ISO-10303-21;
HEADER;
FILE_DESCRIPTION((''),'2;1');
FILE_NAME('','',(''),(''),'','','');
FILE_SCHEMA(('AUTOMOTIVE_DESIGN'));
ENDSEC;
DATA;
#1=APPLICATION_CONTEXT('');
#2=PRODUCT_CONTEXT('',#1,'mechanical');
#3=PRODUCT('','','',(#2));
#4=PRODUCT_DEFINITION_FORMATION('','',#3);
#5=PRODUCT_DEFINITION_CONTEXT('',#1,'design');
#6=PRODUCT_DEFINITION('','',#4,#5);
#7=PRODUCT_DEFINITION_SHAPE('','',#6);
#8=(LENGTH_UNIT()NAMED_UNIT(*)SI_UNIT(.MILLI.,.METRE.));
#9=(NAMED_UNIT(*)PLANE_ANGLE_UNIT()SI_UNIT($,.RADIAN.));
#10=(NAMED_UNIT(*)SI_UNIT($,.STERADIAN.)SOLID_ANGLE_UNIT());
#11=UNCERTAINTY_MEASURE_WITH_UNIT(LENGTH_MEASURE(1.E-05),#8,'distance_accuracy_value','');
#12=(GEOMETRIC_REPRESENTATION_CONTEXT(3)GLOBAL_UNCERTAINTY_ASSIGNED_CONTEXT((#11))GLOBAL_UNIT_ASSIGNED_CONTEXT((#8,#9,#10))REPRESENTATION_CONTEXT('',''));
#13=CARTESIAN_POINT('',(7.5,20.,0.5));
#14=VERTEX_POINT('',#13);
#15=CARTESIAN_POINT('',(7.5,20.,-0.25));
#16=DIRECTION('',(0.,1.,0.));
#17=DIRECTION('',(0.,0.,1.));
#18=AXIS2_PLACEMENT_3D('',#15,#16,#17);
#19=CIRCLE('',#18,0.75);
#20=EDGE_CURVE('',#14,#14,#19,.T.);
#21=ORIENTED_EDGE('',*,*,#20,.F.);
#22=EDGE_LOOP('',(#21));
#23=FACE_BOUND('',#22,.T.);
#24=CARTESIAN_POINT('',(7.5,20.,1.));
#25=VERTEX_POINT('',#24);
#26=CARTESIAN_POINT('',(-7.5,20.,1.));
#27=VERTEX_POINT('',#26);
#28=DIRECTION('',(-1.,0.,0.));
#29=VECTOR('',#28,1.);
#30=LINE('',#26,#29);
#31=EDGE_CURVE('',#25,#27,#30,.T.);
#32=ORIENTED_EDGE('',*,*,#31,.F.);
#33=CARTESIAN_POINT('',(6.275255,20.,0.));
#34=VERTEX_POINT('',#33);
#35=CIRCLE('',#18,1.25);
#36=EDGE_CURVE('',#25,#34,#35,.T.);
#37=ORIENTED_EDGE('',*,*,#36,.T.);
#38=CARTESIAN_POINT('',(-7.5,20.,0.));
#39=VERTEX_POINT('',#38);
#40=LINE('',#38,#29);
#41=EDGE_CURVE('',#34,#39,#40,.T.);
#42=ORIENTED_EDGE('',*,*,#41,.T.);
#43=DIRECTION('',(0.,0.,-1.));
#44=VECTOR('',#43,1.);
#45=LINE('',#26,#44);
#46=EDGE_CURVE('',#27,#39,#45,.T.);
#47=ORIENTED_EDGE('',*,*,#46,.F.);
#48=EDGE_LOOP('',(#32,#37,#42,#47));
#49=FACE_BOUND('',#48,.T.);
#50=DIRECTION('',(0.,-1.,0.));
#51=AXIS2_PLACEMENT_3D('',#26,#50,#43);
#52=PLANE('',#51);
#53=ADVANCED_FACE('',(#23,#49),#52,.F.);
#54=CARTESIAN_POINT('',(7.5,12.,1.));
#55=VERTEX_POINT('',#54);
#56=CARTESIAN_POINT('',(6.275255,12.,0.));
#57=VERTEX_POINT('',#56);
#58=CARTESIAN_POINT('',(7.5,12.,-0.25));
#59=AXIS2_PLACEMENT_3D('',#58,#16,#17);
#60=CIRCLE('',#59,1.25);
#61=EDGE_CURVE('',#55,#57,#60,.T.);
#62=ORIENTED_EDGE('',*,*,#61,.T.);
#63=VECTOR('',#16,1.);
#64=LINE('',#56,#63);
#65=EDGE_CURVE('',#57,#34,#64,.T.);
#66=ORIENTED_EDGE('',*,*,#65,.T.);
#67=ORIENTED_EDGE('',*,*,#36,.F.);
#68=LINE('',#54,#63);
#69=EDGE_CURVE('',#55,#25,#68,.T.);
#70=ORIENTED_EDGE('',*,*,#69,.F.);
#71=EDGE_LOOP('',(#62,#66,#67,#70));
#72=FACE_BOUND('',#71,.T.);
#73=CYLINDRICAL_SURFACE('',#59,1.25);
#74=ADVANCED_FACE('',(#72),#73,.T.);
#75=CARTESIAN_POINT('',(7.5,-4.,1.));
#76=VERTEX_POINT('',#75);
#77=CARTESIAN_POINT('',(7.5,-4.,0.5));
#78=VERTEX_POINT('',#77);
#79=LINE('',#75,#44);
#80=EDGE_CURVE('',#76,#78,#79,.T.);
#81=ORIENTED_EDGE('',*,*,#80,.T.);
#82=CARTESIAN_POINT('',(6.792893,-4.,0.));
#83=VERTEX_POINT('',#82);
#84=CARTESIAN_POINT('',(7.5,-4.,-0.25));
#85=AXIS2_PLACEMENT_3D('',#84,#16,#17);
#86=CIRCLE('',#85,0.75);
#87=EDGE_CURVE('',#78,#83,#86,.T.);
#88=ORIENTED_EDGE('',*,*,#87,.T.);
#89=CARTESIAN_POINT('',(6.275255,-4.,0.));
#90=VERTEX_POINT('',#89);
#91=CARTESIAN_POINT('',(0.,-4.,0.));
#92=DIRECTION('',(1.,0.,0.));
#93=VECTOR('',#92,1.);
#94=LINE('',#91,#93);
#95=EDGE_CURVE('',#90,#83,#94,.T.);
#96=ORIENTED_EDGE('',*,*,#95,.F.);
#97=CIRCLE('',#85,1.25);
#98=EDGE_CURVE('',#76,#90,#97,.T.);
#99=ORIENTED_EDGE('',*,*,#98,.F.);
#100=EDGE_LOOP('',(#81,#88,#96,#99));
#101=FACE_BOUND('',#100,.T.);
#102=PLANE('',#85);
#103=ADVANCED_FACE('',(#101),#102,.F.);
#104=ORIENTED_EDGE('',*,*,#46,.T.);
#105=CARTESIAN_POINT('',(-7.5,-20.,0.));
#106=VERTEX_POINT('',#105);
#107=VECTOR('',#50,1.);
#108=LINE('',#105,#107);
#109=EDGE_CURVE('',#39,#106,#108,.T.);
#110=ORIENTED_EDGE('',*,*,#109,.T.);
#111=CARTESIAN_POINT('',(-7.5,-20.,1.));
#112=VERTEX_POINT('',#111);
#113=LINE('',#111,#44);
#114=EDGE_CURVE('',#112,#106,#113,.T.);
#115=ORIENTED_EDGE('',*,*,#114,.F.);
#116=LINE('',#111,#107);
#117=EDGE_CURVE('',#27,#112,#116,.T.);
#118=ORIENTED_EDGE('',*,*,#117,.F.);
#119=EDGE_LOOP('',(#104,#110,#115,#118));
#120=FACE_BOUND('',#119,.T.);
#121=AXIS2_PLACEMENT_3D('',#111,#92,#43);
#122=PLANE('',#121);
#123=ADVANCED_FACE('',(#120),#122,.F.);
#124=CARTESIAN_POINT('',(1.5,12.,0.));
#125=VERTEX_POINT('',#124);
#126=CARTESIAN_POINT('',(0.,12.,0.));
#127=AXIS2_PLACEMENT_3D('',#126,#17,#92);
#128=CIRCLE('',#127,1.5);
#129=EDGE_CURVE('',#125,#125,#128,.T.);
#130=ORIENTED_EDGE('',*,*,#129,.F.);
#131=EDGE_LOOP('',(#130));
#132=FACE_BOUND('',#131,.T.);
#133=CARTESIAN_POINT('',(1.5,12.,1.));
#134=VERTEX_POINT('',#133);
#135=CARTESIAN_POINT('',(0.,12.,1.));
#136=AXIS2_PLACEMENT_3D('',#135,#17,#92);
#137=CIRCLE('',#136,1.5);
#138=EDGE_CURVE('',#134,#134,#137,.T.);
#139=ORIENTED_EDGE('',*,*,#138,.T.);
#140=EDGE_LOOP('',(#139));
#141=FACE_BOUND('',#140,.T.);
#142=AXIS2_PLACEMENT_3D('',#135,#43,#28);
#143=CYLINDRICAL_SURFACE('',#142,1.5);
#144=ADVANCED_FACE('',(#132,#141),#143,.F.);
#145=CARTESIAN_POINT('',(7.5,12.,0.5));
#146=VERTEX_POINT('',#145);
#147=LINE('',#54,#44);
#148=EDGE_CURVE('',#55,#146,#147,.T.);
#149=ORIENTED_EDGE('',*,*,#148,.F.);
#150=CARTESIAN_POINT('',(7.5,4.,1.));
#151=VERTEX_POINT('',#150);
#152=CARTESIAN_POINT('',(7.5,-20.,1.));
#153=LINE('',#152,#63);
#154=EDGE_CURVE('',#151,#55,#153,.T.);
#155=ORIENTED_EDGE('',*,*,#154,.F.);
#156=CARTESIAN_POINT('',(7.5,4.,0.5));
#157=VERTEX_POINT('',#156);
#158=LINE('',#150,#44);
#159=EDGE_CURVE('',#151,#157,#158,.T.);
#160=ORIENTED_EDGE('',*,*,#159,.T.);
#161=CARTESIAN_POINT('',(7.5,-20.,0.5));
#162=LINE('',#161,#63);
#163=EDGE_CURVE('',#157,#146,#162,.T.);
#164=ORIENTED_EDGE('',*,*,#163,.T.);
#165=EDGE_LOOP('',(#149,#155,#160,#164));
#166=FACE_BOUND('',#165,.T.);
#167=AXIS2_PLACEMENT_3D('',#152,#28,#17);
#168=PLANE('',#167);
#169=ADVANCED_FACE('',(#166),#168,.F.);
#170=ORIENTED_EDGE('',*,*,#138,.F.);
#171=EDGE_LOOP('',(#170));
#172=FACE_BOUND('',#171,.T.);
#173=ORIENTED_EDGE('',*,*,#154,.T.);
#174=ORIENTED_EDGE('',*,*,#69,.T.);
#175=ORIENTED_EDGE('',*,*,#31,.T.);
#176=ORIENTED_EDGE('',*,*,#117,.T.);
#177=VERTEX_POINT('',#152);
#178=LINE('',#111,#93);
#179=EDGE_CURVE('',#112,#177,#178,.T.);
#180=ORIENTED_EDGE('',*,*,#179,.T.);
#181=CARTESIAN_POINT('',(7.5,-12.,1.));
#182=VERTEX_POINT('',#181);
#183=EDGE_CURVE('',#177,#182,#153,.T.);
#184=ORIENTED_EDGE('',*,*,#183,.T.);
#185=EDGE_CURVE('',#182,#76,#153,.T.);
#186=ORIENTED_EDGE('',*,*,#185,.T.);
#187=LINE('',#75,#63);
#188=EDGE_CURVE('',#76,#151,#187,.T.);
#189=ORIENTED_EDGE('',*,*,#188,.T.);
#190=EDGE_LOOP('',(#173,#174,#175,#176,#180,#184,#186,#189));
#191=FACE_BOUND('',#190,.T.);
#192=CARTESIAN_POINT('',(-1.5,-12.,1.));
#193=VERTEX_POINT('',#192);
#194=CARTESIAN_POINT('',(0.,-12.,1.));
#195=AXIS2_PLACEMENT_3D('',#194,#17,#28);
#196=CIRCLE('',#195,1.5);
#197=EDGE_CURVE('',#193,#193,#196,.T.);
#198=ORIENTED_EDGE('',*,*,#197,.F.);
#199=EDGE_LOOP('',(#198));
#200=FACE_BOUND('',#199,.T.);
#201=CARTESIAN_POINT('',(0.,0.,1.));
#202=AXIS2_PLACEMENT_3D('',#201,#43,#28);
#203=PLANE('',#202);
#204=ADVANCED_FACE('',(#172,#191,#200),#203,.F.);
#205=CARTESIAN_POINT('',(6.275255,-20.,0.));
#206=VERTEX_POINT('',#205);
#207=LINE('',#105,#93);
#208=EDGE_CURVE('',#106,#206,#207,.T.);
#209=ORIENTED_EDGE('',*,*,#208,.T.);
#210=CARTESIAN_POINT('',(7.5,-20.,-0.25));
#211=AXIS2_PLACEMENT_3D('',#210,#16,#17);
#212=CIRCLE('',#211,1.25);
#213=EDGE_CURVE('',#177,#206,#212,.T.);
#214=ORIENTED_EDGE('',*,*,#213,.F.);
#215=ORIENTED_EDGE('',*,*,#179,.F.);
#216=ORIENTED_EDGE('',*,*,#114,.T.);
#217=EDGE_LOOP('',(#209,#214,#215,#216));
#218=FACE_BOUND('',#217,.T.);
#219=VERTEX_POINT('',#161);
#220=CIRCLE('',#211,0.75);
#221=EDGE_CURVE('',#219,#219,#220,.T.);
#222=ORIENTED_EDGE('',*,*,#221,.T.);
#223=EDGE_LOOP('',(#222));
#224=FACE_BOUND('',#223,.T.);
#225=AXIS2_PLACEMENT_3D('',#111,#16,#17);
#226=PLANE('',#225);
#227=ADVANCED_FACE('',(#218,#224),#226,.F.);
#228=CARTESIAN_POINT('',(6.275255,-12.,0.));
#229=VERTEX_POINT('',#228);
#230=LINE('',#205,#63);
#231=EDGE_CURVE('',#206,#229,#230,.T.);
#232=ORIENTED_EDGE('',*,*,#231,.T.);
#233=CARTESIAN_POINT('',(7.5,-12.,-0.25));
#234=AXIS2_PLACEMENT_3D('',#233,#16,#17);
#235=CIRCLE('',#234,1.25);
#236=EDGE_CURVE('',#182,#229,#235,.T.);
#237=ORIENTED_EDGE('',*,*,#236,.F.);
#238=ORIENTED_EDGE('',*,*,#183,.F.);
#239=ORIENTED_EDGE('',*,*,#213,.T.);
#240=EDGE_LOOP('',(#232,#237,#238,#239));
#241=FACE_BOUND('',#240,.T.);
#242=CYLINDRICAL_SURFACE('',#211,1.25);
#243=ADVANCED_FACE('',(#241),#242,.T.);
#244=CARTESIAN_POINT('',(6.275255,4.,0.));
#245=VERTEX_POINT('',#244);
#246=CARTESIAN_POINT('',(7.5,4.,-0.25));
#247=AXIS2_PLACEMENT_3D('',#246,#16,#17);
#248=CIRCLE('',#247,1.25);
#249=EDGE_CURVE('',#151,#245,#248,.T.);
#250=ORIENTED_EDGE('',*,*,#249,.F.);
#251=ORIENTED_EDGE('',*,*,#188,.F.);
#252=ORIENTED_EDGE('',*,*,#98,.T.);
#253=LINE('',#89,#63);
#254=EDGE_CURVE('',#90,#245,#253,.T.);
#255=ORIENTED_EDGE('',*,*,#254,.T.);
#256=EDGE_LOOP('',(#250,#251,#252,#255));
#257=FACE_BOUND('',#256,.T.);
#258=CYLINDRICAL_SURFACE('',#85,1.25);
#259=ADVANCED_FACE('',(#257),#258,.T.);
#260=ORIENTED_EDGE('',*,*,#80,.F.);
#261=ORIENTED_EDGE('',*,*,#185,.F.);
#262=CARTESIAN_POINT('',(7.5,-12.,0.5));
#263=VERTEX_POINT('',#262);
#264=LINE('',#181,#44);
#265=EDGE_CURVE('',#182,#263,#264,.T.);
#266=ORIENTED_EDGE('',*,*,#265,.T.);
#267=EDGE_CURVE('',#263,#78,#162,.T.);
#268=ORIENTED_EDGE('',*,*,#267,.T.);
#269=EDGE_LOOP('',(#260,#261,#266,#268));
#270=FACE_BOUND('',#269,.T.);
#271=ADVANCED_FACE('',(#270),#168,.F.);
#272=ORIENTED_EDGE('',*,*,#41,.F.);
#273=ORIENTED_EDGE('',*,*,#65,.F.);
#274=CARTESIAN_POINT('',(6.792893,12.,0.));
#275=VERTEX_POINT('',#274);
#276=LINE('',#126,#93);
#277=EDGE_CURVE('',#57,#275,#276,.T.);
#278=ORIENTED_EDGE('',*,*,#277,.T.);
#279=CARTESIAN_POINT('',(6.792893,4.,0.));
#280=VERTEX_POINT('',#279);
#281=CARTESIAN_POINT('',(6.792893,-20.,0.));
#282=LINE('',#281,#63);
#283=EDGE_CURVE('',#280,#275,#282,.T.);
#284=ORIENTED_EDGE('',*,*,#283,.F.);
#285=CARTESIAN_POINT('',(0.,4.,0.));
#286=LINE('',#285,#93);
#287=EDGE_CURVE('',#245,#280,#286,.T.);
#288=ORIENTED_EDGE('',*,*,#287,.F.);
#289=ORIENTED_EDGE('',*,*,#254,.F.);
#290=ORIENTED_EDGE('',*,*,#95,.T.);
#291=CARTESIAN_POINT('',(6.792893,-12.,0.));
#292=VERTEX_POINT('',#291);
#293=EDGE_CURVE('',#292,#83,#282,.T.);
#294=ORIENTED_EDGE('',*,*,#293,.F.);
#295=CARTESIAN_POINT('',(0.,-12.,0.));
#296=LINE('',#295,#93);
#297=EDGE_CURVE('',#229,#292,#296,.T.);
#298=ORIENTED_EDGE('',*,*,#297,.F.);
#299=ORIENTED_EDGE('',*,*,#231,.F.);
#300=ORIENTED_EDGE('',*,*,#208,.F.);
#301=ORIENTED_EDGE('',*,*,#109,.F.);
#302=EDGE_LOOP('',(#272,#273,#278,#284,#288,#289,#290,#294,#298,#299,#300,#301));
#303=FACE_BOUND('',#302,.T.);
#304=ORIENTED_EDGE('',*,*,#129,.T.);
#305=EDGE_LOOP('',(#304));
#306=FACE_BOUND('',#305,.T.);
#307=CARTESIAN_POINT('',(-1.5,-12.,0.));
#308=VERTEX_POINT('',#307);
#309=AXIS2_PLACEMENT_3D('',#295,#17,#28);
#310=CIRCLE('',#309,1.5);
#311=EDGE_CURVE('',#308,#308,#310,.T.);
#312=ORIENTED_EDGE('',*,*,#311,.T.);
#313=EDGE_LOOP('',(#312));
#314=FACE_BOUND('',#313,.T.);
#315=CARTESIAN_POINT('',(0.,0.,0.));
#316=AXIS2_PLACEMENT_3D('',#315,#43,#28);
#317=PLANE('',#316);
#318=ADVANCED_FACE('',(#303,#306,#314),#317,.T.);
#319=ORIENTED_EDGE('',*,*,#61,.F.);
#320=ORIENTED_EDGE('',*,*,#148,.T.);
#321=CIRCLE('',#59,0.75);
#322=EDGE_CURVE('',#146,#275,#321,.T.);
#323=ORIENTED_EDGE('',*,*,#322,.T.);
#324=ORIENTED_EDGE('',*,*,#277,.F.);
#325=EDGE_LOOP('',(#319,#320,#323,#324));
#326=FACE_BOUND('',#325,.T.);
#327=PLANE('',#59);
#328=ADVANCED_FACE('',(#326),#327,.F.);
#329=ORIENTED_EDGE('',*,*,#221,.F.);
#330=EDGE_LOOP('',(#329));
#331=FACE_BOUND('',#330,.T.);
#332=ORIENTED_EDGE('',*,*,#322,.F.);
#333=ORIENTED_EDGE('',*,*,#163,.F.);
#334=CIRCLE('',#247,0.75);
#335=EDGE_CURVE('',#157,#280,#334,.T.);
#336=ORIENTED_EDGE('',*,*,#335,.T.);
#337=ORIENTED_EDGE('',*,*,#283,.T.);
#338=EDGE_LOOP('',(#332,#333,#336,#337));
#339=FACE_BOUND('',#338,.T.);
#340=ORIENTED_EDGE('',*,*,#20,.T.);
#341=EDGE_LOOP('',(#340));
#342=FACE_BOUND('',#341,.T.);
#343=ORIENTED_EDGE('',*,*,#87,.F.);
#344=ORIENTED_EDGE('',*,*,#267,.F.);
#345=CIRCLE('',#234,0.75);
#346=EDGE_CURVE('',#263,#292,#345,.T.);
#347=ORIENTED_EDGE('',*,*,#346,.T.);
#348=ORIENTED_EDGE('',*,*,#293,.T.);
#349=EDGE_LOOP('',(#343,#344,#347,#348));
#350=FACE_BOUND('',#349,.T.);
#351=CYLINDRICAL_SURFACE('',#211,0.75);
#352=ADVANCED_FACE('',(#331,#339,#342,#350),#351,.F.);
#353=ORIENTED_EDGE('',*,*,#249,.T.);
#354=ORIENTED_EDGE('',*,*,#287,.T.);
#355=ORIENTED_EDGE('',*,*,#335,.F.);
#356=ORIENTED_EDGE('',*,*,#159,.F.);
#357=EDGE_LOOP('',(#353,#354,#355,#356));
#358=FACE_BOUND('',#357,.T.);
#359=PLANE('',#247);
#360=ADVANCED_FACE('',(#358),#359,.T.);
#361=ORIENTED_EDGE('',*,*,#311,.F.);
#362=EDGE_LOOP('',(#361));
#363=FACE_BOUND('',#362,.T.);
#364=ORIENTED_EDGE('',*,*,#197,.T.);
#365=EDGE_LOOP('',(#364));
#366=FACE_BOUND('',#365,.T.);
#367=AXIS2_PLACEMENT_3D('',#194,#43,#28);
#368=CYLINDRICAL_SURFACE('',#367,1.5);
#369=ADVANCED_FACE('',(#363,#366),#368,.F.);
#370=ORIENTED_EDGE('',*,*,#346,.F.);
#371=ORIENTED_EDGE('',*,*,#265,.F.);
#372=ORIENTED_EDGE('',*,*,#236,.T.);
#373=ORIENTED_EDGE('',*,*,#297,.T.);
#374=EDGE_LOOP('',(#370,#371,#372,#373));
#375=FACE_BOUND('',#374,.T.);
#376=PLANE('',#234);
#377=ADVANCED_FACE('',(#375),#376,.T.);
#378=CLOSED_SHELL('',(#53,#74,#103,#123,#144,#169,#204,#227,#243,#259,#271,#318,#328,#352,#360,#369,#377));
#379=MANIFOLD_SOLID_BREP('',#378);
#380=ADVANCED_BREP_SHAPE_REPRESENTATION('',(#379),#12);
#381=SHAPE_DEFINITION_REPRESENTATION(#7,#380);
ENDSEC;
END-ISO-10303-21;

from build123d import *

# Parameters (mm, degrees)
SKETCH1_W           = 15
SKETCH1_H           = 40
SKETCH1_R           = 1.5
BOSS_EXTRUDE2_DEPTH = 1
SKETCH2_R           = 1.25
BOSS_EXTRUDE3_DEPTH = 8
SKETCH3_R           = 0.75
CUT_EXTRUDE1_DEPTH  = 40
LPATTERN1_COUNT     = 3
LPATTERN1_PITCH     = 16
SKETCH4_R           = 0.75
CUT_EXTRUDE2_DEPTH  = 40


with BuildPart() as part:
    # Sketch1 → Boss-Extrude2 (new body)
    with BuildSketch(Plane.XY):
        Rectangle(SKETCH1_W, SKETCH1_H)
        with Locations((0, 12)):
            Circle(SKETCH1_R, mode=Mode.SUBTRACT)
        with Locations((0, -12)):
            Circle(SKETCH1_R, mode=Mode.SUBTRACT)
    extrude(amount=BOSS_EXTRUDE2_DEPTH)

    # Sketch2 → Boss-Extrude3 (add)
    with BuildSketch(Plane(origin=(0, 20, 0), x_dir=(1, 0, 0), z_dir=(0, 1, 0))):
        with Locations((7.5, 0.25)):
            Circle(SKETCH2_R)
    boss_extrude3 = extrude(amount=-BOSS_EXTRUDE3_DEPTH)

    # Sketch3 → Cut-Extrude1 (cut)
    with BuildSketch(Plane(origin=(0, 20, 0), x_dir=(1, 0, 0), z_dir=(0, 1, 0))):
        with Locations((7.5, 0.25)):
            Circle(SKETCH3_R)
    extrude(amount=-CUT_EXTRUDE1_DEPTH, mode=Mode.SUBTRACT)

    # LPattern1: Boss-Extrude3 ×3
    with Locations(*[(0, -i * LPATTERN1_PITCH, 0) for i in range(1, LPATTERN1_COUNT)]):
        add(boss_extrude3)

    # Sketch4 → Cut-Extrude2 (cut)
    with BuildSketch(Plane(origin=(0, 20, 0), x_dir=(1, 0, 0), z_dir=(0, 1, 0))):
        with Locations((7.5, 0.25)):
            Circle(SKETCH4_R)
    extrude(amount=-CUT_EXTRUDE2_DEPTH, mode=Mode.SUBTRACT)


solid = part.part
